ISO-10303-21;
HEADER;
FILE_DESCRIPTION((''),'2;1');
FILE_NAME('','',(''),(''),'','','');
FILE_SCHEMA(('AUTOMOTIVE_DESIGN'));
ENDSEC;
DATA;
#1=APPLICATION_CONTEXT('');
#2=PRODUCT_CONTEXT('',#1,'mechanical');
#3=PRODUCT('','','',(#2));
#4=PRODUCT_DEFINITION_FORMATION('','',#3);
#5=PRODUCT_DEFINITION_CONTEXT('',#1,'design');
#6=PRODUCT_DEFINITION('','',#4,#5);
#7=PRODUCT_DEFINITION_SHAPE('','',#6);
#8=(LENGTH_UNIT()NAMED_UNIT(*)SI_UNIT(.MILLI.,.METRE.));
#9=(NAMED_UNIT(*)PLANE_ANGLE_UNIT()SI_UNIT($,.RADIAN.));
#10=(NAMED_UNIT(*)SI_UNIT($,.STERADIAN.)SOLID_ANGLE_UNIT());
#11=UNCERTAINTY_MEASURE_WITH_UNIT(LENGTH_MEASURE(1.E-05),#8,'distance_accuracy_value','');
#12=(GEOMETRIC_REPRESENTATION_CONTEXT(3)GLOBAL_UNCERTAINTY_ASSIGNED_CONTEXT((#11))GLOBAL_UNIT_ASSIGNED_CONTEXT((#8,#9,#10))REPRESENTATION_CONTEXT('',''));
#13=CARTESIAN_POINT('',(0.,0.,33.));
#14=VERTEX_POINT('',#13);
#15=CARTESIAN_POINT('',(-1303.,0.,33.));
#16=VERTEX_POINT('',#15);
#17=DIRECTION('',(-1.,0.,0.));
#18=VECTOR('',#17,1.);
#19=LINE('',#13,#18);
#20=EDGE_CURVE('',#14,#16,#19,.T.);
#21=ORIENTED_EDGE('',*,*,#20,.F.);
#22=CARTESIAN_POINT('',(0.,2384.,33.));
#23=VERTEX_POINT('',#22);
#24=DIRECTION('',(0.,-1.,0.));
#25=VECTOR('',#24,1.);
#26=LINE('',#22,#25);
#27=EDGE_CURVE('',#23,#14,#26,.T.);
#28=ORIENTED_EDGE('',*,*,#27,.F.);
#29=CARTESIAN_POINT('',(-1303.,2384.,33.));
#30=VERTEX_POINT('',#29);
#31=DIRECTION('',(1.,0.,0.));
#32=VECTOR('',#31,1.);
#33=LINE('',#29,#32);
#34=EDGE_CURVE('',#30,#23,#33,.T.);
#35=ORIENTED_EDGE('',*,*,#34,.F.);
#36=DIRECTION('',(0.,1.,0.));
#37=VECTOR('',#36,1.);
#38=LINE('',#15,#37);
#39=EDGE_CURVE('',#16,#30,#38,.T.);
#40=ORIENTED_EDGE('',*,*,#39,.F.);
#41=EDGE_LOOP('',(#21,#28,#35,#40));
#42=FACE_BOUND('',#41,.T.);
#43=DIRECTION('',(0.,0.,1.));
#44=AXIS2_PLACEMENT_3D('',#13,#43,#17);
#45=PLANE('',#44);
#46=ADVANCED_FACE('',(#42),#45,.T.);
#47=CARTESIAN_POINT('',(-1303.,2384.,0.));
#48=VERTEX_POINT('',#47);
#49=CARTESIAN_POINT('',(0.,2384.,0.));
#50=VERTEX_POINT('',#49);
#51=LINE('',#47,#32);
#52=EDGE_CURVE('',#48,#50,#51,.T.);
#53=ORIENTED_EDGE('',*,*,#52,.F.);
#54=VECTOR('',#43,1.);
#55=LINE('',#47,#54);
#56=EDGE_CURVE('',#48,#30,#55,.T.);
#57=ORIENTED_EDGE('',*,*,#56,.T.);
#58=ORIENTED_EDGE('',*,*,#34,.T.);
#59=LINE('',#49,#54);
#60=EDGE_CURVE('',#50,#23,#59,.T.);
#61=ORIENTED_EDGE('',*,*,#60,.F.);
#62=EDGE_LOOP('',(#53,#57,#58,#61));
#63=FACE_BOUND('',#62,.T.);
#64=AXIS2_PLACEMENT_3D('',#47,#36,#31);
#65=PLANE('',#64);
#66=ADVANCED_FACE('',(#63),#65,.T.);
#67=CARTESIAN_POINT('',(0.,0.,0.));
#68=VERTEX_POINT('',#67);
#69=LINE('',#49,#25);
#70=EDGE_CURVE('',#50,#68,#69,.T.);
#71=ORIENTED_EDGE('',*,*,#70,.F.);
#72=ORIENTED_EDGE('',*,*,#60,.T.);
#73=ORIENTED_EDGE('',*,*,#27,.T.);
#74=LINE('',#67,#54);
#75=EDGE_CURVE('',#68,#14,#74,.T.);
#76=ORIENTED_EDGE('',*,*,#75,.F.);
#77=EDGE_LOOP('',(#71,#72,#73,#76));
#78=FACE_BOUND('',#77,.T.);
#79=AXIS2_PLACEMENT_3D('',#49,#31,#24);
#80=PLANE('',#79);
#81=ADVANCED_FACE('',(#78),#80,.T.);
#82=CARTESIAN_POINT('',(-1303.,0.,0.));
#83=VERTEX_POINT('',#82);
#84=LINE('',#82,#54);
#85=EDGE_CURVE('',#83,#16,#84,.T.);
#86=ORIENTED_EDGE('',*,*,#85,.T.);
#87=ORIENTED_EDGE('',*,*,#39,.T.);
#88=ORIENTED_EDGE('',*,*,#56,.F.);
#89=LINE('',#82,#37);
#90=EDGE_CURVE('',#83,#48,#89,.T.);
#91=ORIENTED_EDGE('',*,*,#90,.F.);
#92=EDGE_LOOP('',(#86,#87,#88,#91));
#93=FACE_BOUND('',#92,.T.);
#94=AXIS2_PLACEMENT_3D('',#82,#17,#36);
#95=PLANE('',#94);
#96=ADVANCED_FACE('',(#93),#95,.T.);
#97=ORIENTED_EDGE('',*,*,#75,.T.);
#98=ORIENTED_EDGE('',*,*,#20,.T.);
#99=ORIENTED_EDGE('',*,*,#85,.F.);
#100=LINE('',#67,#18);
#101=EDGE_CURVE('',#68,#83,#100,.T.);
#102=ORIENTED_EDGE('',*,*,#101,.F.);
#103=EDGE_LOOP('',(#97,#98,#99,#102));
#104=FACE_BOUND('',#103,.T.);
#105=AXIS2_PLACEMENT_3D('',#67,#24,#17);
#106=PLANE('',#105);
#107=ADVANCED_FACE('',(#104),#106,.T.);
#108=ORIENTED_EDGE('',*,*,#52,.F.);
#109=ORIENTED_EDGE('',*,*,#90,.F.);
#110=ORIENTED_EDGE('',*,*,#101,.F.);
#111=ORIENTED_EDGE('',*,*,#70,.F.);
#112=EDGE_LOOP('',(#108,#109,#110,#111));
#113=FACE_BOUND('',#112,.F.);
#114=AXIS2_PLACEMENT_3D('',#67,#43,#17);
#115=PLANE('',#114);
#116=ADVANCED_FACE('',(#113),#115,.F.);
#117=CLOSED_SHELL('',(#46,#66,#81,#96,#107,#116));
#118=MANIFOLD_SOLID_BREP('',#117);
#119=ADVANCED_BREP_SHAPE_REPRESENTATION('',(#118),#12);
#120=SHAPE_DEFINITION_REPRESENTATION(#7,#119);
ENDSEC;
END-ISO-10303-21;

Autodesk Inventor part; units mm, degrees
ref_plane "YZ Plane" through (0, 0, 0) normal (1, 0, 0) x (0, 1, 0)
ref_plane "XZ Plane" through (0, 0, 0) normal (0, 1, 0) x (-1, 0, 0)
ref_plane "XY Plane" through (0, 0, 0) normal (0, 0, 1) x (1, 0, 0)
sketch "Sketch1" plane through (0, 0, 0) normal (0, 0, 1) x (-1, 0, 0)
  line L0 (0, 0) -> (1303, 0)
  line L1 (1303, 0) -> (1303, -2384)
  line L2 (1303, -2384) -> (0, -2384)
  line L3 (0, -2384) -> (0, 0)
  dimension "d0" = 1303
  dimension "d1" = 2384
extrude "Extrusion1" add sketch "Sketch1" along normal blind 33
properties part number "testpanel"
